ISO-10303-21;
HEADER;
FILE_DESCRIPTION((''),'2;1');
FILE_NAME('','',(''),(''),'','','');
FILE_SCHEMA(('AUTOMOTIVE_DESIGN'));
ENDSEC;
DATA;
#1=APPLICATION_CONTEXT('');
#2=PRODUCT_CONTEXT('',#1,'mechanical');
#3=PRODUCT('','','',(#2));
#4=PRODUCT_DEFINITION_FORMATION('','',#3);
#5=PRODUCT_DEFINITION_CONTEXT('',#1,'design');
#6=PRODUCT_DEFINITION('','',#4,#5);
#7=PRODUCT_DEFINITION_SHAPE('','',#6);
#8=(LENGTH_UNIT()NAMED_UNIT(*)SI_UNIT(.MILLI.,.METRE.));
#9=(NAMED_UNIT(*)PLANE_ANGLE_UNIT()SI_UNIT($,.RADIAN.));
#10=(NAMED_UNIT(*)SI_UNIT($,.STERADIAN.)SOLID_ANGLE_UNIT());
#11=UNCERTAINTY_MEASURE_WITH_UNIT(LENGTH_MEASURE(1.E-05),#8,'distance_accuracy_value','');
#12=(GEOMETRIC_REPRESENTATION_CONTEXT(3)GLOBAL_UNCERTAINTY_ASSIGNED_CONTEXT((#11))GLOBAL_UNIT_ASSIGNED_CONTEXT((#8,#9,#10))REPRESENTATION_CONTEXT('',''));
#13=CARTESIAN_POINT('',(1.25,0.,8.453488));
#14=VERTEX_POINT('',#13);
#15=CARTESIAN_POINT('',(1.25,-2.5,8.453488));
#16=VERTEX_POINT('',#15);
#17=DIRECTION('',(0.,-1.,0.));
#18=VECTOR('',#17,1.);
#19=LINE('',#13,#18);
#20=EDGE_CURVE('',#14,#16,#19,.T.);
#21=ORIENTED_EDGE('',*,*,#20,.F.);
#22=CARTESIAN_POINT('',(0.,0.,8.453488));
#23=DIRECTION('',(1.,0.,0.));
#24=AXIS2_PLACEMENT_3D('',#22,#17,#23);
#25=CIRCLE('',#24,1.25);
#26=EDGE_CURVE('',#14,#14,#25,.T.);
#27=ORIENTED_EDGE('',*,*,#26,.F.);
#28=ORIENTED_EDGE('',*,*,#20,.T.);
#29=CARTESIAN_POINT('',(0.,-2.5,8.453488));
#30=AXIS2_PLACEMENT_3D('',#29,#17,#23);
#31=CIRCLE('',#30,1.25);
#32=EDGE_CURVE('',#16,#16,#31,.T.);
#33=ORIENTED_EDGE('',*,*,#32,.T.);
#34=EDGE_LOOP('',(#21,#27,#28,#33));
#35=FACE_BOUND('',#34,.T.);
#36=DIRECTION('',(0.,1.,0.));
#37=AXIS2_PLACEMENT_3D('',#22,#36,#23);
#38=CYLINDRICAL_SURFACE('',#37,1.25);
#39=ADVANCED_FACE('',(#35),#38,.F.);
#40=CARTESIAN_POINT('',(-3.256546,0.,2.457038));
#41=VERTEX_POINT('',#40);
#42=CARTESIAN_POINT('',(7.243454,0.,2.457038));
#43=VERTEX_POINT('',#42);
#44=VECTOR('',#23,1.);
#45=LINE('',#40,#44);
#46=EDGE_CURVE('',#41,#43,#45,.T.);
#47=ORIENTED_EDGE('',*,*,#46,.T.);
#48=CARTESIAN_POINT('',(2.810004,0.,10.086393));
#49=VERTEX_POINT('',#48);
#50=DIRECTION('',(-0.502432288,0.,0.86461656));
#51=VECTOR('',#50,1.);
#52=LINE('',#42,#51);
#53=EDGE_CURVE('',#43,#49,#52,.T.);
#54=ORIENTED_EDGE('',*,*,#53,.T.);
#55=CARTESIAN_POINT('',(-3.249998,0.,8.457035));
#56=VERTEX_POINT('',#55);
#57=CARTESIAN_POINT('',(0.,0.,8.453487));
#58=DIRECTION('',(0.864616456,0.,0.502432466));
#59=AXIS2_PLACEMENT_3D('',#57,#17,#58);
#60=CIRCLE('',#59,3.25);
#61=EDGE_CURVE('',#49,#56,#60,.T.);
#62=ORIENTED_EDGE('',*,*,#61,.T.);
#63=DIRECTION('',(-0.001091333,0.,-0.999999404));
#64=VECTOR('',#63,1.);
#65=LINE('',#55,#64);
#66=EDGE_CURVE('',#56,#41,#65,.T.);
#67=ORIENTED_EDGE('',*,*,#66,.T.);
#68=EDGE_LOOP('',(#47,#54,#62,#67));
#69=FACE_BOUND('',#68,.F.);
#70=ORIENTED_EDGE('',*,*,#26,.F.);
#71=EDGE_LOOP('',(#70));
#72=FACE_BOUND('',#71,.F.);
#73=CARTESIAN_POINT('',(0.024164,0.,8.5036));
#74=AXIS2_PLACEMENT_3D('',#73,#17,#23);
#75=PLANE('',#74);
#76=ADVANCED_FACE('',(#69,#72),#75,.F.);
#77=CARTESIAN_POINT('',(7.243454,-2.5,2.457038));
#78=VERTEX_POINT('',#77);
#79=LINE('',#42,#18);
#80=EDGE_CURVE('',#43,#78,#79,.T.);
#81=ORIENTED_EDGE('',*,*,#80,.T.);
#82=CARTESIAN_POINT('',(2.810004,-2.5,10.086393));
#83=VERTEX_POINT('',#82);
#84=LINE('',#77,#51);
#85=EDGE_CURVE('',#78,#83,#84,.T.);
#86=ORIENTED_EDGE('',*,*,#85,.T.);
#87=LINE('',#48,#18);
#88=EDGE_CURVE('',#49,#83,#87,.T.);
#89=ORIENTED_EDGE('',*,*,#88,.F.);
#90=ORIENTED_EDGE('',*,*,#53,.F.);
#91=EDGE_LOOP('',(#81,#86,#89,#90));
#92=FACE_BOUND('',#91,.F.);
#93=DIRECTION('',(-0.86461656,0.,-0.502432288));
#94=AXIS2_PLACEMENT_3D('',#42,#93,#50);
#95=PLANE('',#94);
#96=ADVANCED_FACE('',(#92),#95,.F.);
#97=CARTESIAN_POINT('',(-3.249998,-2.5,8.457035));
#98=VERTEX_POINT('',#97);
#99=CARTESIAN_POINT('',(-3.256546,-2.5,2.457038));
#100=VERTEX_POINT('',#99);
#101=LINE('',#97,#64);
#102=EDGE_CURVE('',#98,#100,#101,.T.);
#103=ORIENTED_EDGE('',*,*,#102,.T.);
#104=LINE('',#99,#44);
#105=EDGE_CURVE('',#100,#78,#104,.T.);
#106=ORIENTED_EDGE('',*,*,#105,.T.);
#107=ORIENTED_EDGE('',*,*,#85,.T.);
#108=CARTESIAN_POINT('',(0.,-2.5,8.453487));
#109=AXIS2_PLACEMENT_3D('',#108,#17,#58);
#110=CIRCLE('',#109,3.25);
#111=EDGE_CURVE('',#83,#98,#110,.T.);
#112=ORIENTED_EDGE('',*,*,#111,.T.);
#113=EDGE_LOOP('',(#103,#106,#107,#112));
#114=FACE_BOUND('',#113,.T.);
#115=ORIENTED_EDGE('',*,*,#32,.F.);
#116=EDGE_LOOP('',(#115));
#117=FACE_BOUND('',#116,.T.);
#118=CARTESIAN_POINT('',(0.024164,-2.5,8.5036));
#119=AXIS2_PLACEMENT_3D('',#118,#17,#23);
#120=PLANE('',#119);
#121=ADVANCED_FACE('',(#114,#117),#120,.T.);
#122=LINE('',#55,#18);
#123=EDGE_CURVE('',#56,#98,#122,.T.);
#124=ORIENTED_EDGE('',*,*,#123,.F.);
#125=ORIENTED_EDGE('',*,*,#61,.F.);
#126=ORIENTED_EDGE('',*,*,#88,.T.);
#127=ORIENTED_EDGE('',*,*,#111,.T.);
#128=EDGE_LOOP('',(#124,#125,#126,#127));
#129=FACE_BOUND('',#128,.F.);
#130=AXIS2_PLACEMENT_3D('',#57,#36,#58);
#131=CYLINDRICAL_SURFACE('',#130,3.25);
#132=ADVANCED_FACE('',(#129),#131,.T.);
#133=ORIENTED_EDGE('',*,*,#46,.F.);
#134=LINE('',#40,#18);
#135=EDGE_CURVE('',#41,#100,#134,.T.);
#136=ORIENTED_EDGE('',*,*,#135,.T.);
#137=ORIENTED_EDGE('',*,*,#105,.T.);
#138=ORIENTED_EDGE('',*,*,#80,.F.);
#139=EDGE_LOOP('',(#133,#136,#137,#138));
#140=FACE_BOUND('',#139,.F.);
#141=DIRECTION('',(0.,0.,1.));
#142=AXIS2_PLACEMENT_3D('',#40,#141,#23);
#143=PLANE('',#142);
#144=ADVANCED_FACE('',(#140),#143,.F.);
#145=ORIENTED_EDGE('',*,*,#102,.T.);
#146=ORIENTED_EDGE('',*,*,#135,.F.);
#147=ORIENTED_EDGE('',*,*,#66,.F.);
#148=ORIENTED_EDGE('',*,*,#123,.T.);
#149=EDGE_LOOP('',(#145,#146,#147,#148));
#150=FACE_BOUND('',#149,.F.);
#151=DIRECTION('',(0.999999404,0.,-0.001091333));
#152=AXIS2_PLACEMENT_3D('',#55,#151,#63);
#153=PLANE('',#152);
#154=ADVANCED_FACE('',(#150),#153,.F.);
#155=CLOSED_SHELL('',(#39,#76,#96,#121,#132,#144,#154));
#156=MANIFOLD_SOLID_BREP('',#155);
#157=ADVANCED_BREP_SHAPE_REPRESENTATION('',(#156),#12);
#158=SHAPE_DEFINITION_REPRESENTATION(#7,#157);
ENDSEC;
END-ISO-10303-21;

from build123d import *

# Parameters (mm, degrees)
F0_R     = 1.25
F1_DEPTH = 2.5


with BuildPart() as f1:
    # F0 (on Front) → F1 (new body)
    with BuildSketch(Plane.XZ):
        with BuildLine():
            ThreePointArc((-3.249998, 8.457035), (-0.001773, 5.203488), (3.25, 8.453488))
            ThreePointArc((3.25, 8.453488), (3.138074, 9.299061), (2.810004, 10.086393))
            ThreePointArc((2.810004, 10.086393), (-0.843861, 11.592022), (-3.249998, 8.457035))
        make_face()
        with Locations((0, 8.453488)):
            Circle(F0_R, mode=Mode.SUBTRACT)
        with BuildLine():
            ThreePointArc((2.810004, 10.086393), (3.138074, 9.299061), (3.25, 8.453488))
            ThreePointArc((3.25, 8.453488), (-0.001773, 5.203488), (-3.249998, 8.457035))
            Line((-3.249998, 8.457035), (-3.256546, 2.457038))
            Line((-3.256546, 2.457038), (7.243454, 2.457038))
            Line((7.243454, 2.457038), (2.810004, 10.086393))
        make_face()
    extrude(amount=F1_DEPTH)


solid = f1.part
